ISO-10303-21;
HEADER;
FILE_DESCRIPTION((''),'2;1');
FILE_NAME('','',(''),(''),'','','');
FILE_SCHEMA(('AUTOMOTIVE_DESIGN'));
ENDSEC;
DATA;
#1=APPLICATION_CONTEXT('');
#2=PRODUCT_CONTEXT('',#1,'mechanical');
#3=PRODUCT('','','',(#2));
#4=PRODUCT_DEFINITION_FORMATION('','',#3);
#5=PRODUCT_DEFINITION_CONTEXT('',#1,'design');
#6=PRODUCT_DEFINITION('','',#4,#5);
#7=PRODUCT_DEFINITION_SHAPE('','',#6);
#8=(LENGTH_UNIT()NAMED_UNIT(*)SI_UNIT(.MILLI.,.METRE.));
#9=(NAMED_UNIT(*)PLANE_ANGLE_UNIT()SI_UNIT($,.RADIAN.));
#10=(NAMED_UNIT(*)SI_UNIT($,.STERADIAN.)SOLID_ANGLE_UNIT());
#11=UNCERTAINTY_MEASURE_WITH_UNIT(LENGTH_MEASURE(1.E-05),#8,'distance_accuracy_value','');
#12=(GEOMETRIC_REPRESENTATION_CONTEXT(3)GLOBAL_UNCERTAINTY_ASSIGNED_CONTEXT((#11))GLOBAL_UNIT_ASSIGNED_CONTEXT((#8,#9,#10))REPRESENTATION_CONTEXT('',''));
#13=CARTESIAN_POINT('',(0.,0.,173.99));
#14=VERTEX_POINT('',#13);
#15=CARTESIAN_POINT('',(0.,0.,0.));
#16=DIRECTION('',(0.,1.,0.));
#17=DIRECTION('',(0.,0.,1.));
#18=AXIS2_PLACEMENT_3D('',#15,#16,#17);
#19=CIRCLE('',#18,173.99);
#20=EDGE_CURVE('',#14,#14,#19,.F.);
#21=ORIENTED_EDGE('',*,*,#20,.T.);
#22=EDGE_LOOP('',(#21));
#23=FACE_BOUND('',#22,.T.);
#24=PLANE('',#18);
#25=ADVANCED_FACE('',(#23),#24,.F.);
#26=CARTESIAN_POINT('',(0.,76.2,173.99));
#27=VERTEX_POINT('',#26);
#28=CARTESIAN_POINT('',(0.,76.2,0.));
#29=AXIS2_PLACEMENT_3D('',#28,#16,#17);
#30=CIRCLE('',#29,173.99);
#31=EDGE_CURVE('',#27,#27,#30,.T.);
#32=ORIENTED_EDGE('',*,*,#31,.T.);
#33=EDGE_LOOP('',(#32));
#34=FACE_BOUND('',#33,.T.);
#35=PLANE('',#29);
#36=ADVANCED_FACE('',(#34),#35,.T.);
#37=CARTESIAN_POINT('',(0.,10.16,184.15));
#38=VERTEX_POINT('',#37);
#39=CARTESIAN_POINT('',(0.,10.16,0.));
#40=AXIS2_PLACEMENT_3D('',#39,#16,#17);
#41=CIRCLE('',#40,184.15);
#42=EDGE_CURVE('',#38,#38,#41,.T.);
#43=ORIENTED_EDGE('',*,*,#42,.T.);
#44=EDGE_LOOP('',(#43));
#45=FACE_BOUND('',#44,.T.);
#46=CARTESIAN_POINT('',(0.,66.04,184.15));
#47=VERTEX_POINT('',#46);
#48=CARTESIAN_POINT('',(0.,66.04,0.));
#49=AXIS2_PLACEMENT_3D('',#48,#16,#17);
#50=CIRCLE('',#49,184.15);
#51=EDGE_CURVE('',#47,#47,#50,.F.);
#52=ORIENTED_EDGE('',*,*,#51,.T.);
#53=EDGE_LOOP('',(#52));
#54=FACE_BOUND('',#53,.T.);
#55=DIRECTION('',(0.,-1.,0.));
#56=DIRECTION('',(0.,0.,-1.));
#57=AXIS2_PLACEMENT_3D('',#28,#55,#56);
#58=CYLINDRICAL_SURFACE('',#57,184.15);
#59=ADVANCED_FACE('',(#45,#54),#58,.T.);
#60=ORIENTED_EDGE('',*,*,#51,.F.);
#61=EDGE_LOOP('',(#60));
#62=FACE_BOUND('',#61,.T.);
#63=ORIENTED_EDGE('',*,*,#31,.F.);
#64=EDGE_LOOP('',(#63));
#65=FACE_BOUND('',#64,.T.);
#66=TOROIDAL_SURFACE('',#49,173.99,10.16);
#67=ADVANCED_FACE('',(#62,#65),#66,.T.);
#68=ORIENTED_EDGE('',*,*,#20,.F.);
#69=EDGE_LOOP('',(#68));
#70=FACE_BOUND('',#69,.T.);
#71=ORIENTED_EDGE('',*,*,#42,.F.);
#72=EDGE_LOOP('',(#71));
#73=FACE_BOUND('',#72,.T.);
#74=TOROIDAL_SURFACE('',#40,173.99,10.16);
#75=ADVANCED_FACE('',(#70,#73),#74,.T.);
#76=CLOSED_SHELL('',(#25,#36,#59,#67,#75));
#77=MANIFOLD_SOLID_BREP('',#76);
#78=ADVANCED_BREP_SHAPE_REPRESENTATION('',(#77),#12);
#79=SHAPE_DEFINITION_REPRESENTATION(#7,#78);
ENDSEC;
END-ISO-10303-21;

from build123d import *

# Parameters (mm, degrees)
SKETCH1_R           = 184.15
BOSS_EXTRUDE1_DEPTH = 76.2
FILLET1_R           = 10.16


with BuildPart() as part:
    # Sketch1 → Boss-Extrude1 (new body)
    with BuildSketch(Plane(origin=(0, 0, 0), x_dir=(1, 0, 0), z_dir=(0, 1, 0))):
        Circle(SKETCH1_R)
    extrude(amount=BOSS_EXTRUDE1_DEPTH)

    # Fillet1
    fillet1_edges = [part.edges().sort_by_distance(p)[0] for p in [
        (-184.15, 0, 0),
        (-184.15, 76.2, 0),
    ]]
    fillet(fillet1_edges, radius=FILLET1_R)


solid = part.part
